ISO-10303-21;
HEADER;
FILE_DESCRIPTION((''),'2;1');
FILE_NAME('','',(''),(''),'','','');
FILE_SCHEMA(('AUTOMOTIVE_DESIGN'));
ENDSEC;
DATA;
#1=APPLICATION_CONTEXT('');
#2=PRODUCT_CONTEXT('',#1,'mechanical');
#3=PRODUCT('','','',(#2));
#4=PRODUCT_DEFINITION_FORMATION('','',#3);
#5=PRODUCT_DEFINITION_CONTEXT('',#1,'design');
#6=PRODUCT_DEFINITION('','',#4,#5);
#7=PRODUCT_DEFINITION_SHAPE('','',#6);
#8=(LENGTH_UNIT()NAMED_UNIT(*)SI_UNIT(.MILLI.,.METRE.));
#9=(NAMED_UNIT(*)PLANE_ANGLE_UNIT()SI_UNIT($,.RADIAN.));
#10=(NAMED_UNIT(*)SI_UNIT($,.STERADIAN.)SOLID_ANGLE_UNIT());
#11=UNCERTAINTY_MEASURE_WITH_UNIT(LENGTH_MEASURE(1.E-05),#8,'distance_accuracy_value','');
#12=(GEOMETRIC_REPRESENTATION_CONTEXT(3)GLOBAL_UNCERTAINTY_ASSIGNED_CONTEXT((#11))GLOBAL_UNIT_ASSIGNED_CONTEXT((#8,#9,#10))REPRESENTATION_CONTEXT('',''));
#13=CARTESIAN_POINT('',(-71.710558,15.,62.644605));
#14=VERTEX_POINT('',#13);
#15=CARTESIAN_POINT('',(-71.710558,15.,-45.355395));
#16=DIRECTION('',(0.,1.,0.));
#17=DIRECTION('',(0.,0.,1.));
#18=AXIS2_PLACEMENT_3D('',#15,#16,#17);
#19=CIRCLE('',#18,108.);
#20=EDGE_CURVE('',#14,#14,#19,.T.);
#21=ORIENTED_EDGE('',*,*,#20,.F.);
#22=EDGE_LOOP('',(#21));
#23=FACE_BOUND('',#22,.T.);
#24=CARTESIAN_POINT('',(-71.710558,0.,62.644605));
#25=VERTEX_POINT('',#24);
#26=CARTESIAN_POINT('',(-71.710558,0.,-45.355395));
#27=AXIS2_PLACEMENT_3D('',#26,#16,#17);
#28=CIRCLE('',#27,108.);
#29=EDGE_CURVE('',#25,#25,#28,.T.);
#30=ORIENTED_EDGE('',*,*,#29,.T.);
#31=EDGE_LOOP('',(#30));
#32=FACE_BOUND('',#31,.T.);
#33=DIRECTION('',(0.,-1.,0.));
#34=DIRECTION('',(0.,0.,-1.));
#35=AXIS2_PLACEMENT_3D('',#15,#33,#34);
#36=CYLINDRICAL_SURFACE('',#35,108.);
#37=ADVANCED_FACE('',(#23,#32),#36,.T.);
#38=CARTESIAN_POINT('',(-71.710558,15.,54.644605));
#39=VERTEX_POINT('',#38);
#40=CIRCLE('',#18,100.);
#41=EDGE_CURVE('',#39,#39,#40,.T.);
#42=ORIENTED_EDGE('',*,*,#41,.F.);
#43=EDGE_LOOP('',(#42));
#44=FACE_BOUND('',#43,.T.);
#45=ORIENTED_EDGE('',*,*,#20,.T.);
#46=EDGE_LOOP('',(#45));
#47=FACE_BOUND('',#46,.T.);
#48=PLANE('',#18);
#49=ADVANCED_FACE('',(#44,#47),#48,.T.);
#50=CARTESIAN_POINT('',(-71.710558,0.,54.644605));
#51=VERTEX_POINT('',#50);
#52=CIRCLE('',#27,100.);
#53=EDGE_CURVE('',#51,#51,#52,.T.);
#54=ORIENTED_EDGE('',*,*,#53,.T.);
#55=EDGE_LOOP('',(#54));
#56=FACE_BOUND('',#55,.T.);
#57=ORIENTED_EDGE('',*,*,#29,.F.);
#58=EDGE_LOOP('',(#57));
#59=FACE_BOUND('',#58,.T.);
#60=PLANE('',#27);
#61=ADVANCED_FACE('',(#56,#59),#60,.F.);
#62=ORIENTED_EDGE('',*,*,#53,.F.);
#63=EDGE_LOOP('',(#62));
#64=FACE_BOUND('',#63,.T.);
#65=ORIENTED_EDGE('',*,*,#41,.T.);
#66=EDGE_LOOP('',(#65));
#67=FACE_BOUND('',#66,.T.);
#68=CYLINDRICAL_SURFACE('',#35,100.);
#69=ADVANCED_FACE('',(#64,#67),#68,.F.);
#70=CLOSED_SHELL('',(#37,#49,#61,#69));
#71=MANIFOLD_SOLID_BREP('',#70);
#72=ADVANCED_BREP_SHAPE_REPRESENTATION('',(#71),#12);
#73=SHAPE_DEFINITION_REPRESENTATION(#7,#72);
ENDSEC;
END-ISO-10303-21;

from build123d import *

# Parameters (mm, degrees)
SKETCH_1_R      = 108
SKETCH_1_R_2    = 100
EXTRUDE_1_DEPTH = 15


with BuildPart() as part:
    # 草图1 → 凸台-拉伸1 (new body)
    with BuildSketch(Plane(origin=(0, 0, 0), x_dir=(1, 0, 0), z_dir=(0, 1, 0))):
        with Locations((-71.710557533, 45.355395363)):
            Circle(SKETCH_1_R)
        with Locations((-71.710557533, 45.355395363)):
            Circle(SKETCH_1_R_2, mode=Mode.SUBTRACT)
    extrude(amount=EXTRUDE_1_DEPTH)


solid = part.part
